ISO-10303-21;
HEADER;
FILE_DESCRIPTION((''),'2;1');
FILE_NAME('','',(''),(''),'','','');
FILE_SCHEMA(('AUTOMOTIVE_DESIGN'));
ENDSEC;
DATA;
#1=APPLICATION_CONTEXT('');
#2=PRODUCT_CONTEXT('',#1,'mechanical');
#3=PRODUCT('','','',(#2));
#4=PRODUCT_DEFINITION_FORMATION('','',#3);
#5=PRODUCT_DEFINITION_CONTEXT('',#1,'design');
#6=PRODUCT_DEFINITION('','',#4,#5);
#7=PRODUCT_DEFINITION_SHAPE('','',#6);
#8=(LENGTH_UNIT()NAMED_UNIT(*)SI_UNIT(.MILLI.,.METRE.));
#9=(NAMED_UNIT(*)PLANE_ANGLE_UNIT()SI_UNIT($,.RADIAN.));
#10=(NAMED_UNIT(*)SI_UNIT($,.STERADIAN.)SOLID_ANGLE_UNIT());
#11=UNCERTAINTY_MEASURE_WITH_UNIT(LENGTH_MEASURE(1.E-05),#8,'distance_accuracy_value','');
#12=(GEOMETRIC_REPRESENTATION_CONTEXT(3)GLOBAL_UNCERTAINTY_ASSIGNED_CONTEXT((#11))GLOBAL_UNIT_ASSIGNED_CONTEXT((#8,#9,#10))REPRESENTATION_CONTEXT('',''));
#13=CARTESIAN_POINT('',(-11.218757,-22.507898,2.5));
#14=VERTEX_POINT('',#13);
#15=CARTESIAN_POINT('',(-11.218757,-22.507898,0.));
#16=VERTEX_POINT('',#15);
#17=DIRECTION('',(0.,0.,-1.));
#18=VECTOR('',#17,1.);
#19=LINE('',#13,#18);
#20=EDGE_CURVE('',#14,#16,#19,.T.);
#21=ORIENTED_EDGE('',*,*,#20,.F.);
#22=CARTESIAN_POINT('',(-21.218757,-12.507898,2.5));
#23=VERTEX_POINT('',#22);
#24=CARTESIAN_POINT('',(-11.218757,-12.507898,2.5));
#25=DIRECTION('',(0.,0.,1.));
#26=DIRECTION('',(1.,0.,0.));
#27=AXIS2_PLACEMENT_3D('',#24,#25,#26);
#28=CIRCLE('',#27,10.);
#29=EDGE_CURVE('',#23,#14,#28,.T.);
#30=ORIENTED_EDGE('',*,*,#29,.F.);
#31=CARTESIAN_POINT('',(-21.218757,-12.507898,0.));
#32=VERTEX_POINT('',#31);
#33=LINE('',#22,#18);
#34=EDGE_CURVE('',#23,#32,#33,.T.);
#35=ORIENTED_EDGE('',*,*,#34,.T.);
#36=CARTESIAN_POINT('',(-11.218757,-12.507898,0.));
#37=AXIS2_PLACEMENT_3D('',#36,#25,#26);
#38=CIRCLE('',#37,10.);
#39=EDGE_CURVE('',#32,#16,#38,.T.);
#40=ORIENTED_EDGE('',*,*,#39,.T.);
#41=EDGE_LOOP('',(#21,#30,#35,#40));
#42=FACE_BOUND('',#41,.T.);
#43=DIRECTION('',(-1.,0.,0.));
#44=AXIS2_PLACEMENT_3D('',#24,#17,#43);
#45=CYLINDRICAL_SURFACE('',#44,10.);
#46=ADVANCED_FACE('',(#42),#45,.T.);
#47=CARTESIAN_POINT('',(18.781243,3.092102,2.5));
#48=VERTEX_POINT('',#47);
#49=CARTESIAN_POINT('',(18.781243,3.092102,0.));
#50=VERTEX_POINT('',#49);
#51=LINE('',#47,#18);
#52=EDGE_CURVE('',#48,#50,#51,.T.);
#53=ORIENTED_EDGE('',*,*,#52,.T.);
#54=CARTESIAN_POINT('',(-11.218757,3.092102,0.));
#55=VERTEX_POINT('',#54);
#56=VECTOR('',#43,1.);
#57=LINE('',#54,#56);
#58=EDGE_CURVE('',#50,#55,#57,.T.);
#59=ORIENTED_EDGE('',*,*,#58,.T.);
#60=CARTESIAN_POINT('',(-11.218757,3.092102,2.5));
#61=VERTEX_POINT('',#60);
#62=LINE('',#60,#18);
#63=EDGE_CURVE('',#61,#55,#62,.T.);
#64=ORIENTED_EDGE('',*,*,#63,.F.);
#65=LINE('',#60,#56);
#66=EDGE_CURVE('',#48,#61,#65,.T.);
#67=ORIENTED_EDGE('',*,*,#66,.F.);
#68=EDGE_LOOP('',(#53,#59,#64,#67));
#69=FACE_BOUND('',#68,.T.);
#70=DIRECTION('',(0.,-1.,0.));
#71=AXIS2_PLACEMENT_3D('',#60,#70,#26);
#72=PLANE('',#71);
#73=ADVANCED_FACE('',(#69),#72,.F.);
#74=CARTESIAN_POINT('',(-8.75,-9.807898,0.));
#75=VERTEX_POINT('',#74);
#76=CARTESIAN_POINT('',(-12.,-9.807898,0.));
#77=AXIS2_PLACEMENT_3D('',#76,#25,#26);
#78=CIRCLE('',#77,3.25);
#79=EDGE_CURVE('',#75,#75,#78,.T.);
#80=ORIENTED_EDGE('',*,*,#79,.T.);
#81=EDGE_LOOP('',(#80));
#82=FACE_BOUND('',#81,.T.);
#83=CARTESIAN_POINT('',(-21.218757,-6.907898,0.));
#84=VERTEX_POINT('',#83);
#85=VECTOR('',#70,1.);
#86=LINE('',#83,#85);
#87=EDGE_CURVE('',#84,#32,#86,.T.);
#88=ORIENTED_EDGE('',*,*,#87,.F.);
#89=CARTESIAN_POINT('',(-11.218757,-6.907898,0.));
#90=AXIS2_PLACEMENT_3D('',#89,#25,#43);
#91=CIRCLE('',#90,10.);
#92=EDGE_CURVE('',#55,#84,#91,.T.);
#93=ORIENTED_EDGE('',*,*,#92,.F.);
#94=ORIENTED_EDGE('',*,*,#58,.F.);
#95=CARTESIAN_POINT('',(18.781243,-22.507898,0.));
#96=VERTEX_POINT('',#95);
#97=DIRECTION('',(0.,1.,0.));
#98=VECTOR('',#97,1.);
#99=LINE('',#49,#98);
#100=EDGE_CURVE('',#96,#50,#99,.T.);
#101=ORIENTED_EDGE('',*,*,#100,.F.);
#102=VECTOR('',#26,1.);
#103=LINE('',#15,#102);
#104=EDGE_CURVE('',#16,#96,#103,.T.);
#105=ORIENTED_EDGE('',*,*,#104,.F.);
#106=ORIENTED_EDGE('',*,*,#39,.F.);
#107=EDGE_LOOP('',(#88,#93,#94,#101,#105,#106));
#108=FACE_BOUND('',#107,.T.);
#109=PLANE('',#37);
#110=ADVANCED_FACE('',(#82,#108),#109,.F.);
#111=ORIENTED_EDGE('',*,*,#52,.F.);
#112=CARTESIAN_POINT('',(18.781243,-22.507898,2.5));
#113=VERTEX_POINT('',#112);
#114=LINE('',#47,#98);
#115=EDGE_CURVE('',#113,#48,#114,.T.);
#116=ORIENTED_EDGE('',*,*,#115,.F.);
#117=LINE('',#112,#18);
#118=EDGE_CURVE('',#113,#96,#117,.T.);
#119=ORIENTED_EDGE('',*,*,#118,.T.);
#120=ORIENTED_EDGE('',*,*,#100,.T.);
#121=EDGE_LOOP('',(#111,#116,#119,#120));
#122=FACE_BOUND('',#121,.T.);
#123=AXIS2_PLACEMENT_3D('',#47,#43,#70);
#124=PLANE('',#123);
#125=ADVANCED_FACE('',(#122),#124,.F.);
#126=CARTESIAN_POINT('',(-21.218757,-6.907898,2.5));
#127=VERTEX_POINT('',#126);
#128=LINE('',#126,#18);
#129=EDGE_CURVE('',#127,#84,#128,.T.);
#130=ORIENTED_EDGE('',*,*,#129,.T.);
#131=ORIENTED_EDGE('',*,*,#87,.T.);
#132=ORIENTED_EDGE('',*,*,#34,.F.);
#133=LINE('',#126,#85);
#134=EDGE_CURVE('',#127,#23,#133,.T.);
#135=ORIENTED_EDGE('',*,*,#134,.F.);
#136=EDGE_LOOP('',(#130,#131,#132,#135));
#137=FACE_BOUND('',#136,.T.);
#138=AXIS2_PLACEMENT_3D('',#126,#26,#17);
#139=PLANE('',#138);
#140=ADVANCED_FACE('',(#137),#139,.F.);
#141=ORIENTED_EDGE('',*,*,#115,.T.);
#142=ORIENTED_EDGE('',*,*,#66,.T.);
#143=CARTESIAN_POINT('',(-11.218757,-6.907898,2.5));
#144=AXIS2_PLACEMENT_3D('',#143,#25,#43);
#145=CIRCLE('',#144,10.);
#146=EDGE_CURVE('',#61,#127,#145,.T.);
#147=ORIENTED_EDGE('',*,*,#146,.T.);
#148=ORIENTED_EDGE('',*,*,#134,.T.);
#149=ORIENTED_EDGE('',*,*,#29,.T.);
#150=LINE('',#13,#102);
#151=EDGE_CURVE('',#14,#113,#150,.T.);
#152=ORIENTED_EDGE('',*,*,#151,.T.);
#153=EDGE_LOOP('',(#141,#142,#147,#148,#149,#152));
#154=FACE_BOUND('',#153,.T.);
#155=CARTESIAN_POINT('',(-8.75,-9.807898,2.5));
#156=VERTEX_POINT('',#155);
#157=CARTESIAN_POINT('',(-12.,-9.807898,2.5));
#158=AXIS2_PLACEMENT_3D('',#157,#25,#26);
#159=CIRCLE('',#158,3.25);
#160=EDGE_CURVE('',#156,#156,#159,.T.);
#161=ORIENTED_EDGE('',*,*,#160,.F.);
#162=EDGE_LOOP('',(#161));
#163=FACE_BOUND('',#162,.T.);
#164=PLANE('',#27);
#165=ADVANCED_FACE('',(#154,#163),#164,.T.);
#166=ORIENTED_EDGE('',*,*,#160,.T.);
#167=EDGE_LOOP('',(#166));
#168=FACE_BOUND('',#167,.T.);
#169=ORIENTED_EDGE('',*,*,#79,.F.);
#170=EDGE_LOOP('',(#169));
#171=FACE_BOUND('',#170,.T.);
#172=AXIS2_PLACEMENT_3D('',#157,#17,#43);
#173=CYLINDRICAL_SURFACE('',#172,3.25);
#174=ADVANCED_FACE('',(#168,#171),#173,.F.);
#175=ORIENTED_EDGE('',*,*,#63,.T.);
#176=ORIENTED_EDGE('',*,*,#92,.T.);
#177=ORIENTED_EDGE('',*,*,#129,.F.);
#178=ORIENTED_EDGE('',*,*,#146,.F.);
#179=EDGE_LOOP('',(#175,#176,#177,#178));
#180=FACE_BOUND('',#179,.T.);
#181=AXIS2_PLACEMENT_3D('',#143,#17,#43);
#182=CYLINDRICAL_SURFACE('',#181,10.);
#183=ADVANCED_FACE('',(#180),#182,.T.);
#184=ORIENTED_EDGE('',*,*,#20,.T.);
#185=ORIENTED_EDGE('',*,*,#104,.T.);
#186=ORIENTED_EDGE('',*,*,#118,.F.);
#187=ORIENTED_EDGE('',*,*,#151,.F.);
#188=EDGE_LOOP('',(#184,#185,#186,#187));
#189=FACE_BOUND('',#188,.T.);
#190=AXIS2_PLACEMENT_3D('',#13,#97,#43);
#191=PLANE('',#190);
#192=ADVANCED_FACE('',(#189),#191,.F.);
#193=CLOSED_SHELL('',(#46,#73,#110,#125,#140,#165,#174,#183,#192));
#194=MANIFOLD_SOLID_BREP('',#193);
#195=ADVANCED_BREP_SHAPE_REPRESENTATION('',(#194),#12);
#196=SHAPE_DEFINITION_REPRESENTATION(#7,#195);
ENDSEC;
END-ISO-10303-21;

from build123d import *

# Parameters (mm, degrees)
SKETCH2_R           = 3.25
BOSS_EXTRUDE1_DEPTH = 2.5


with BuildPart() as part:
    # Sketch2 → Boss-Extrude1 (new body)
    with BuildSketch(Plane.XY):
        with BuildLine():
            Line((-11.218756856, 3.092102377), (18.781243144, 3.092102377))
            Line((18.781243144, 3.092102377), (18.781243144, -22.507897623))
            Line((18.781243144, -22.507897623), (-11.218756856, -22.507897623))
            ThreePointArc((-11.218756856, -22.507897623), (-18.289824667, -19.578965435), (-21.218756856, -12.507897623))
            Line((-21.218756856, -12.507897623), (-21.218756856, -6.907897623))
            ThreePointArc((-21.218756856, -6.907897623), (-18.289824667, 0.163170188), (-11.218756856, 3.092102377))
        make_face()
        with Locations((-12, -9.807897623)):
            Circle(SKETCH2_R, mode=Mode.SUBTRACT)
    extrude(amount=BOSS_EXTRUDE1_DEPTH)


solid = part.part
